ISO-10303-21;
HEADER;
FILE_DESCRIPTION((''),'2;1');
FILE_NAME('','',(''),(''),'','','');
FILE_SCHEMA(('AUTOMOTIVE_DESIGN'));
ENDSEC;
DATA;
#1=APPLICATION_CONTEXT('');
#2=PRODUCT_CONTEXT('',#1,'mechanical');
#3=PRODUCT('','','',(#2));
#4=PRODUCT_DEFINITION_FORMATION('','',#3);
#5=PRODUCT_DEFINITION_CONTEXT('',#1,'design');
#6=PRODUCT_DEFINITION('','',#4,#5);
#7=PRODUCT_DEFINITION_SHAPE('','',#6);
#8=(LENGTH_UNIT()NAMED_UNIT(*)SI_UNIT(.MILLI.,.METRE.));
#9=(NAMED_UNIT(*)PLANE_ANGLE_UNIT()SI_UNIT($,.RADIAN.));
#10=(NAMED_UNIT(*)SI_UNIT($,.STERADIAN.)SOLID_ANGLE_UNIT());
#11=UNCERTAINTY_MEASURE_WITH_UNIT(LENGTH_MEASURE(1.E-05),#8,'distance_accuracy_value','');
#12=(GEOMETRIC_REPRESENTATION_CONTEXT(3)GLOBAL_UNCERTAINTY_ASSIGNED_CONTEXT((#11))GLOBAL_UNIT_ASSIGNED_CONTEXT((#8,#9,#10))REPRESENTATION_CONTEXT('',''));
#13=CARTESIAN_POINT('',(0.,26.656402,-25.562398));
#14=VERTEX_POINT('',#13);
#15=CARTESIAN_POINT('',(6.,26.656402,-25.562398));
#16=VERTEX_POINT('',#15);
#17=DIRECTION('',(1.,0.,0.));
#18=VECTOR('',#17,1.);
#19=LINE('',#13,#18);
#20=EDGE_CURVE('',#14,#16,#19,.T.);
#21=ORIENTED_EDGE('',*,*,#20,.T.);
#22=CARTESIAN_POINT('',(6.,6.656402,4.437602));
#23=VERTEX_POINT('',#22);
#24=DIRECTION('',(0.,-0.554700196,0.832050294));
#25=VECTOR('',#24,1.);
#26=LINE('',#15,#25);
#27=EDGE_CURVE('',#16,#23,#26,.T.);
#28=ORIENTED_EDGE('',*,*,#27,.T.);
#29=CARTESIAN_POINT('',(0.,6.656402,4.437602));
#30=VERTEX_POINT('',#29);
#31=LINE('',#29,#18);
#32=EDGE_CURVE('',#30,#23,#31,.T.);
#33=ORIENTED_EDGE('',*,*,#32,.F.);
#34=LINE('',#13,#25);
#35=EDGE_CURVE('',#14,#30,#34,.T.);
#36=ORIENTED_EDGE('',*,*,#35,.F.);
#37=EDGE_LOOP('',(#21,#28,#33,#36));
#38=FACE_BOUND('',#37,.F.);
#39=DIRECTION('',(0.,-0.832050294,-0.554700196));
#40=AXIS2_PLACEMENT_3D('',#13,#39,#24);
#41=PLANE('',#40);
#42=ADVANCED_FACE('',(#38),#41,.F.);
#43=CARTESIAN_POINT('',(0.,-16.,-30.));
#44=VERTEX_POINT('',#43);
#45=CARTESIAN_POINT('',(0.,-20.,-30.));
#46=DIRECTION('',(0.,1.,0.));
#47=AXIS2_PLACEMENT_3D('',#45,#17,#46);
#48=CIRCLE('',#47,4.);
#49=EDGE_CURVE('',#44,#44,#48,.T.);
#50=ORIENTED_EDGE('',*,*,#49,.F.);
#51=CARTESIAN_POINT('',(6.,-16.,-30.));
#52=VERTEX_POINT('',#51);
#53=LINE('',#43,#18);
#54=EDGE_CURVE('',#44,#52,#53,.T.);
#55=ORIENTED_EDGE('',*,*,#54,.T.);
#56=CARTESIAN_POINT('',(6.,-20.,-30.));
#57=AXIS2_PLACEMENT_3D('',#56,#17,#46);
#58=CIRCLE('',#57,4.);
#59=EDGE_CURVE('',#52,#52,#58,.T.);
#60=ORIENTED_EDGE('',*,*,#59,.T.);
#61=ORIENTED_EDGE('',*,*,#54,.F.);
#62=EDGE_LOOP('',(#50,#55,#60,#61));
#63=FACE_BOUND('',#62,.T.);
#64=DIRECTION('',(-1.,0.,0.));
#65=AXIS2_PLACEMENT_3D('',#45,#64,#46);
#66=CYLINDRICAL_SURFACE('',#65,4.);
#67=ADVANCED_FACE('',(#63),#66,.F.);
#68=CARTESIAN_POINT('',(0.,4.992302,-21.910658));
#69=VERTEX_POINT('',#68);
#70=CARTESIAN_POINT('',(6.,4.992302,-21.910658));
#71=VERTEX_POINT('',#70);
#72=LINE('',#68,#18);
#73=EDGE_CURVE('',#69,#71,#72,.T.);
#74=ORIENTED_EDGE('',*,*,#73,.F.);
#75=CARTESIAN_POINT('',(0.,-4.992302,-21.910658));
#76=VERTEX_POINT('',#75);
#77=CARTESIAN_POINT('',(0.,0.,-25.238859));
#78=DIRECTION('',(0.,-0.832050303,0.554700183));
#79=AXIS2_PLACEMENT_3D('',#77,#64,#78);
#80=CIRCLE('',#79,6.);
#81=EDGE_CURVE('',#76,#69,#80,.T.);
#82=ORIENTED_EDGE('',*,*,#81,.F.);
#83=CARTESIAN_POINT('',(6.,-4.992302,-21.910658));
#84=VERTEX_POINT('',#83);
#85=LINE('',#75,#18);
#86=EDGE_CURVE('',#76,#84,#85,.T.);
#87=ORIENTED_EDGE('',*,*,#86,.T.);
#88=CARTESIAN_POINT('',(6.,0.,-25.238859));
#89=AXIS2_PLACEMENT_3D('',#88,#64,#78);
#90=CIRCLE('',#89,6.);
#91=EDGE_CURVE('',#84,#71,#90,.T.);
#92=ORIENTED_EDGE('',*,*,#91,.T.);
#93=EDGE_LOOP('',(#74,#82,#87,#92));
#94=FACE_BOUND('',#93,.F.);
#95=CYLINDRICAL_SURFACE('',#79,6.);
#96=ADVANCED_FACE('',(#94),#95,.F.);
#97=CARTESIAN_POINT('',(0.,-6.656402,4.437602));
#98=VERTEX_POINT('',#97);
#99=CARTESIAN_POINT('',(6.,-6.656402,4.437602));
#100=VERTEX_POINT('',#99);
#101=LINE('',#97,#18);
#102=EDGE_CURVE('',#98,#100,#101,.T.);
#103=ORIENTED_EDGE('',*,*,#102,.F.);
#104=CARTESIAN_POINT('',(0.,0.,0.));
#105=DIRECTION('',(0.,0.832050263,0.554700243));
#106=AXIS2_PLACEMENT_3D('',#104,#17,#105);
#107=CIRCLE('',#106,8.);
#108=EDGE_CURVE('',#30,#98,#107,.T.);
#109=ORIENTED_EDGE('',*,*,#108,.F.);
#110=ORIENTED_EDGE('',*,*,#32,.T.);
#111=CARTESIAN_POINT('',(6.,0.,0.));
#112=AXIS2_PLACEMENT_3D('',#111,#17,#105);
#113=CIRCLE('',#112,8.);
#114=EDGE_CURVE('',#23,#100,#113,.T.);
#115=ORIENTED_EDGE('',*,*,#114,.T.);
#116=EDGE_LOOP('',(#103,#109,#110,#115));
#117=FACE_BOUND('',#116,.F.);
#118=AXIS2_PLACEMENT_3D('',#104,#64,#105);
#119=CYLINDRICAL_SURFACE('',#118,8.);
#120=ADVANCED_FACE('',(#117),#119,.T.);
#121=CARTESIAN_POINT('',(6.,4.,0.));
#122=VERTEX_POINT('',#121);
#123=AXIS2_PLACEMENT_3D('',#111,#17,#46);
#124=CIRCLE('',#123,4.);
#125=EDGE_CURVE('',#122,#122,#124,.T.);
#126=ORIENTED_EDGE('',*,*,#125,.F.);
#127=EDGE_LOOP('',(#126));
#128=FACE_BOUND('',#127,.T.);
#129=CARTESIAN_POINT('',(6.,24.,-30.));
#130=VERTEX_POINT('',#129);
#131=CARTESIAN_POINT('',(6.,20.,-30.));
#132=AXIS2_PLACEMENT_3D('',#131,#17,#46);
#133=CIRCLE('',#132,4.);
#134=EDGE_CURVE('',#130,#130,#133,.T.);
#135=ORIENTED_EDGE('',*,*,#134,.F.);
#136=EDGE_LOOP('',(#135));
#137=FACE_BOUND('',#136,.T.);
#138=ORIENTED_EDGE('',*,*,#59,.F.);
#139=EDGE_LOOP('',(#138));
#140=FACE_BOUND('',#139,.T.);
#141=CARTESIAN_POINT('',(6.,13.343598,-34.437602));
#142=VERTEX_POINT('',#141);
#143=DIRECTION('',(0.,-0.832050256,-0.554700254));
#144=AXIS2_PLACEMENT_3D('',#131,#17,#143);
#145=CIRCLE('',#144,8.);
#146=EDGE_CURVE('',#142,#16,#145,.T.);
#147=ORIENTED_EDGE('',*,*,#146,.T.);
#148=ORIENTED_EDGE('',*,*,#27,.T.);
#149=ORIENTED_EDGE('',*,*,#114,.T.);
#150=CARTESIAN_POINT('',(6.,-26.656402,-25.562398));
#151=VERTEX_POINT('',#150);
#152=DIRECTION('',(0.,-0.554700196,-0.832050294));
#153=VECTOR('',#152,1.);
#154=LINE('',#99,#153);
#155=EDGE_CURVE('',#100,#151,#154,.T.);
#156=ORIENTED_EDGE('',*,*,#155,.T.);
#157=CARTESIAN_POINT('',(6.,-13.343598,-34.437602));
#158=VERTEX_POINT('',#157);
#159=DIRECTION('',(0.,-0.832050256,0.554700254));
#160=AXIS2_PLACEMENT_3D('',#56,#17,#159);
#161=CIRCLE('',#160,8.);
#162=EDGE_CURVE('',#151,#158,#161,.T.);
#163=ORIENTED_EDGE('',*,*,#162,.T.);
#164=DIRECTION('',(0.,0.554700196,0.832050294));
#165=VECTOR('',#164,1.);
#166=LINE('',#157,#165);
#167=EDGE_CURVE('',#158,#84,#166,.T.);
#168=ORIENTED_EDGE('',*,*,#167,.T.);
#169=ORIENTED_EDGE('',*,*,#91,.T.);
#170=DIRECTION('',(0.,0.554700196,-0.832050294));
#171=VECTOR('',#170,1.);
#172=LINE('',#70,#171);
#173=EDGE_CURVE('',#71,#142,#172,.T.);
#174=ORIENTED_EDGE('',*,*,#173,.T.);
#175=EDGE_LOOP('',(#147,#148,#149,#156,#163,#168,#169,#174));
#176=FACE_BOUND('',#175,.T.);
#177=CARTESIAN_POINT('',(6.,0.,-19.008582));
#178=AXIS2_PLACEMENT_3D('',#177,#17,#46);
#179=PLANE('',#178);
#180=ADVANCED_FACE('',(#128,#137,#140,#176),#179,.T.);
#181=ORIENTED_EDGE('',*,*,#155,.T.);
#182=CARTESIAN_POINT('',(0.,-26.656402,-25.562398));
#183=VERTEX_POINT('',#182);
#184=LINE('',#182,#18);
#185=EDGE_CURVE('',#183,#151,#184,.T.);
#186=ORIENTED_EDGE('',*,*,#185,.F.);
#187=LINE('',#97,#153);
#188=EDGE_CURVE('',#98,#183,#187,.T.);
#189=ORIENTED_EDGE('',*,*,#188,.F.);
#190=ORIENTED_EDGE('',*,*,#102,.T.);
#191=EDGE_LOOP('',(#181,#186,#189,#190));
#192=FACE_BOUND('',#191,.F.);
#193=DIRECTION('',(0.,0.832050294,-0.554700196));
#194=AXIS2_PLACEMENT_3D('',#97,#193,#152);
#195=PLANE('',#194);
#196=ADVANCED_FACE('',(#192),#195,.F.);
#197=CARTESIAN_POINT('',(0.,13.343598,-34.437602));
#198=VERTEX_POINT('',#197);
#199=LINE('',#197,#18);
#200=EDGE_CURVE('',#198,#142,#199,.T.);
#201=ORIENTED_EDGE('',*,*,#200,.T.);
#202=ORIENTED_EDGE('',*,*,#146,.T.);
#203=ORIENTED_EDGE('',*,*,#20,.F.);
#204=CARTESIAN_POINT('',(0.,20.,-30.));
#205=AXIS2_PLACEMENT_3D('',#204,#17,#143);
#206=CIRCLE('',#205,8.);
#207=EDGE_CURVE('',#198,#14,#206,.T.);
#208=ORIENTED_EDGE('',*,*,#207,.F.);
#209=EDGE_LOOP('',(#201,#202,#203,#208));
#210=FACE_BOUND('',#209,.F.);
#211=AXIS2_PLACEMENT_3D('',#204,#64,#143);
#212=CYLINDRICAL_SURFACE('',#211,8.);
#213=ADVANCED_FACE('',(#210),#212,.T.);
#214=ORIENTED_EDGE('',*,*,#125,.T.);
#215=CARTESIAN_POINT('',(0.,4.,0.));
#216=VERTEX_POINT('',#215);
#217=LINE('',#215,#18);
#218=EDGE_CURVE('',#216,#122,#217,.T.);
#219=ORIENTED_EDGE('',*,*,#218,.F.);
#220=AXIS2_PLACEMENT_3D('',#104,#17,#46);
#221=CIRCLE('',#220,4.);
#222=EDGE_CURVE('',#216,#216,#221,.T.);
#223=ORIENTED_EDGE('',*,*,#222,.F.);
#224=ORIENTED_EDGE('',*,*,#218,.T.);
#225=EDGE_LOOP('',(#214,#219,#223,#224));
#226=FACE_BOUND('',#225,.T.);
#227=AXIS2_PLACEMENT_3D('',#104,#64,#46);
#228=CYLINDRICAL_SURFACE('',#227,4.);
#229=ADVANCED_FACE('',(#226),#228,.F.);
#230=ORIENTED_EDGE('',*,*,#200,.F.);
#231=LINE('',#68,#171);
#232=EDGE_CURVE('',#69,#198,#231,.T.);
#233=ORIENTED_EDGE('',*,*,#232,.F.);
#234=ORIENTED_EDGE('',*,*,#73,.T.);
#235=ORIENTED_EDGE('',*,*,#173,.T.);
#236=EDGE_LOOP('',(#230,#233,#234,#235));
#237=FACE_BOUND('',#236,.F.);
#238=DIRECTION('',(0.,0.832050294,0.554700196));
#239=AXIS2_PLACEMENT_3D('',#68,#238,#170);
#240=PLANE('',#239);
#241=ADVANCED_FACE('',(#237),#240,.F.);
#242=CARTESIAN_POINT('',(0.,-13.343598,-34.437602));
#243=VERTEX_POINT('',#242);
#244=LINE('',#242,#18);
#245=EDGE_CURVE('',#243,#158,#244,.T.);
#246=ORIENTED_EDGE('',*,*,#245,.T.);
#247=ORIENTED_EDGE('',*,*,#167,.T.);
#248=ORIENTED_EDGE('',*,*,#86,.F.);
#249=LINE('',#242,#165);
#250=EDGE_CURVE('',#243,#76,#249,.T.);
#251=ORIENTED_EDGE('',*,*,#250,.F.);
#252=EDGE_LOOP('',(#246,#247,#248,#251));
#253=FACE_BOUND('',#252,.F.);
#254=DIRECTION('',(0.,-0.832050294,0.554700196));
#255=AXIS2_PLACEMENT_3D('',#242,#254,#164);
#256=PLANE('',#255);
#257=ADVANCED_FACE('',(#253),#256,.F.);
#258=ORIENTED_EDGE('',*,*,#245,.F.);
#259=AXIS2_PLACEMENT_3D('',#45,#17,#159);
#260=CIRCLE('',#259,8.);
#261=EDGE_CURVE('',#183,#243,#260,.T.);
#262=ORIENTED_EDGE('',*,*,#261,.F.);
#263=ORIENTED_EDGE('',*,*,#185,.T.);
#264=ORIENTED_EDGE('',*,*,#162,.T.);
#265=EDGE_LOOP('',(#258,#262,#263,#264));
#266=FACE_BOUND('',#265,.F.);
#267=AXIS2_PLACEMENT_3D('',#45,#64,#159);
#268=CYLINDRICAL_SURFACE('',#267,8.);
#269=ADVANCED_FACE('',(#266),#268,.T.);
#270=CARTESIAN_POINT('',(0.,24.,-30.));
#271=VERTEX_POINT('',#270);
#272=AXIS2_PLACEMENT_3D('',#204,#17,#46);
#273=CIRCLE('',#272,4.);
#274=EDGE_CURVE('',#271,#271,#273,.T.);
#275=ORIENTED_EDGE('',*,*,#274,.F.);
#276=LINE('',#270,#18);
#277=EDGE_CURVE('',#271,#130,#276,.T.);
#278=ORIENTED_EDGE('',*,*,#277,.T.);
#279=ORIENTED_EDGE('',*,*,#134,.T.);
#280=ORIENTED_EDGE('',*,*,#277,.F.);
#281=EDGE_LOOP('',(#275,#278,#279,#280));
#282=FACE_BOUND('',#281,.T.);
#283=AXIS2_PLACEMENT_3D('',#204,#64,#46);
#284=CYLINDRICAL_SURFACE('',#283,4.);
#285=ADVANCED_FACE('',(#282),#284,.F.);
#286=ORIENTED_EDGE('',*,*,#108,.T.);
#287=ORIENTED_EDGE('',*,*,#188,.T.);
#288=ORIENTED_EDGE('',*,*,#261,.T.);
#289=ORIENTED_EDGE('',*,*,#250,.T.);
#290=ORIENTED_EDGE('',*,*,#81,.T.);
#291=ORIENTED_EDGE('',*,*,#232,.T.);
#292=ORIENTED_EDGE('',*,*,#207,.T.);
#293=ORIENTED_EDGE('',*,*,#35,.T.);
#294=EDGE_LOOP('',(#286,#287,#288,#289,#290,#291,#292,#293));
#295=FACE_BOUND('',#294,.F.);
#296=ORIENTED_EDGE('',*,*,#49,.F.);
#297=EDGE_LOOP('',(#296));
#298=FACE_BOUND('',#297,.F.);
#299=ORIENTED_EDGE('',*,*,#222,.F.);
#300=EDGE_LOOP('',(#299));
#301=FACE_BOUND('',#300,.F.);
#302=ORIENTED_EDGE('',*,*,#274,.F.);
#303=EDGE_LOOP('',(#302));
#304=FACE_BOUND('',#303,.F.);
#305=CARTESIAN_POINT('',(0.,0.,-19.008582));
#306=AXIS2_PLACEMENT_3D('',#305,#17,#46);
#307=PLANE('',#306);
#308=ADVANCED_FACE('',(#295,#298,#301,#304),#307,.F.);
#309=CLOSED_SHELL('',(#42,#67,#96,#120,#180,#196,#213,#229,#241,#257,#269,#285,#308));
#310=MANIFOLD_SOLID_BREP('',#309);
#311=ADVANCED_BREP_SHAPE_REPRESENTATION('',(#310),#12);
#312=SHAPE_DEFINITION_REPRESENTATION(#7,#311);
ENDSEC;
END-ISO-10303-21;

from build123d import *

# Parameters (mm, degrees)
F0_R     = 4
F1_DEPTH = 6


with BuildPart() as f1:
    # F0 (on Right) → F1 (new body)
    with BuildSketch(Plane.YZ):
        with BuildLine():
            Line((26.656402, -25.562398), (6.656402, 4.437602))
            ThreePointArc((6.656402, 4.437602), (0, 8), (-6.656402, 4.437602))
            Line((-6.656402, 4.437602), (-26.656402, -25.562398))
            ThreePointArc((-26.656402, -25.562398), (-24.437602, -36.656402), (-13.343598, -34.437602))
            Line((-13.343598, -34.437602), (-4.992302, -21.910658))
            ThreePointArc((-4.992302, -21.910658), (0, -19.238859), (4.992302, -21.910658))
            Line((4.992302, -21.910658), (13.343598, -34.437602))
            ThreePointArc((13.343598, -34.437602), (24.437602, -36.656402), (26.656402, -25.562398))
        make_face()
        with Locations((-20, -30)):
            Circle(F0_R, mode=Mode.SUBTRACT)
        with Locations((20, -30)):
            Circle(F0_R, mode=Mode.SUBTRACT)
        Circle(F0_R, mode=Mode.SUBTRACT)
    extrude(amount=F1_DEPTH)


solid = f1.part
